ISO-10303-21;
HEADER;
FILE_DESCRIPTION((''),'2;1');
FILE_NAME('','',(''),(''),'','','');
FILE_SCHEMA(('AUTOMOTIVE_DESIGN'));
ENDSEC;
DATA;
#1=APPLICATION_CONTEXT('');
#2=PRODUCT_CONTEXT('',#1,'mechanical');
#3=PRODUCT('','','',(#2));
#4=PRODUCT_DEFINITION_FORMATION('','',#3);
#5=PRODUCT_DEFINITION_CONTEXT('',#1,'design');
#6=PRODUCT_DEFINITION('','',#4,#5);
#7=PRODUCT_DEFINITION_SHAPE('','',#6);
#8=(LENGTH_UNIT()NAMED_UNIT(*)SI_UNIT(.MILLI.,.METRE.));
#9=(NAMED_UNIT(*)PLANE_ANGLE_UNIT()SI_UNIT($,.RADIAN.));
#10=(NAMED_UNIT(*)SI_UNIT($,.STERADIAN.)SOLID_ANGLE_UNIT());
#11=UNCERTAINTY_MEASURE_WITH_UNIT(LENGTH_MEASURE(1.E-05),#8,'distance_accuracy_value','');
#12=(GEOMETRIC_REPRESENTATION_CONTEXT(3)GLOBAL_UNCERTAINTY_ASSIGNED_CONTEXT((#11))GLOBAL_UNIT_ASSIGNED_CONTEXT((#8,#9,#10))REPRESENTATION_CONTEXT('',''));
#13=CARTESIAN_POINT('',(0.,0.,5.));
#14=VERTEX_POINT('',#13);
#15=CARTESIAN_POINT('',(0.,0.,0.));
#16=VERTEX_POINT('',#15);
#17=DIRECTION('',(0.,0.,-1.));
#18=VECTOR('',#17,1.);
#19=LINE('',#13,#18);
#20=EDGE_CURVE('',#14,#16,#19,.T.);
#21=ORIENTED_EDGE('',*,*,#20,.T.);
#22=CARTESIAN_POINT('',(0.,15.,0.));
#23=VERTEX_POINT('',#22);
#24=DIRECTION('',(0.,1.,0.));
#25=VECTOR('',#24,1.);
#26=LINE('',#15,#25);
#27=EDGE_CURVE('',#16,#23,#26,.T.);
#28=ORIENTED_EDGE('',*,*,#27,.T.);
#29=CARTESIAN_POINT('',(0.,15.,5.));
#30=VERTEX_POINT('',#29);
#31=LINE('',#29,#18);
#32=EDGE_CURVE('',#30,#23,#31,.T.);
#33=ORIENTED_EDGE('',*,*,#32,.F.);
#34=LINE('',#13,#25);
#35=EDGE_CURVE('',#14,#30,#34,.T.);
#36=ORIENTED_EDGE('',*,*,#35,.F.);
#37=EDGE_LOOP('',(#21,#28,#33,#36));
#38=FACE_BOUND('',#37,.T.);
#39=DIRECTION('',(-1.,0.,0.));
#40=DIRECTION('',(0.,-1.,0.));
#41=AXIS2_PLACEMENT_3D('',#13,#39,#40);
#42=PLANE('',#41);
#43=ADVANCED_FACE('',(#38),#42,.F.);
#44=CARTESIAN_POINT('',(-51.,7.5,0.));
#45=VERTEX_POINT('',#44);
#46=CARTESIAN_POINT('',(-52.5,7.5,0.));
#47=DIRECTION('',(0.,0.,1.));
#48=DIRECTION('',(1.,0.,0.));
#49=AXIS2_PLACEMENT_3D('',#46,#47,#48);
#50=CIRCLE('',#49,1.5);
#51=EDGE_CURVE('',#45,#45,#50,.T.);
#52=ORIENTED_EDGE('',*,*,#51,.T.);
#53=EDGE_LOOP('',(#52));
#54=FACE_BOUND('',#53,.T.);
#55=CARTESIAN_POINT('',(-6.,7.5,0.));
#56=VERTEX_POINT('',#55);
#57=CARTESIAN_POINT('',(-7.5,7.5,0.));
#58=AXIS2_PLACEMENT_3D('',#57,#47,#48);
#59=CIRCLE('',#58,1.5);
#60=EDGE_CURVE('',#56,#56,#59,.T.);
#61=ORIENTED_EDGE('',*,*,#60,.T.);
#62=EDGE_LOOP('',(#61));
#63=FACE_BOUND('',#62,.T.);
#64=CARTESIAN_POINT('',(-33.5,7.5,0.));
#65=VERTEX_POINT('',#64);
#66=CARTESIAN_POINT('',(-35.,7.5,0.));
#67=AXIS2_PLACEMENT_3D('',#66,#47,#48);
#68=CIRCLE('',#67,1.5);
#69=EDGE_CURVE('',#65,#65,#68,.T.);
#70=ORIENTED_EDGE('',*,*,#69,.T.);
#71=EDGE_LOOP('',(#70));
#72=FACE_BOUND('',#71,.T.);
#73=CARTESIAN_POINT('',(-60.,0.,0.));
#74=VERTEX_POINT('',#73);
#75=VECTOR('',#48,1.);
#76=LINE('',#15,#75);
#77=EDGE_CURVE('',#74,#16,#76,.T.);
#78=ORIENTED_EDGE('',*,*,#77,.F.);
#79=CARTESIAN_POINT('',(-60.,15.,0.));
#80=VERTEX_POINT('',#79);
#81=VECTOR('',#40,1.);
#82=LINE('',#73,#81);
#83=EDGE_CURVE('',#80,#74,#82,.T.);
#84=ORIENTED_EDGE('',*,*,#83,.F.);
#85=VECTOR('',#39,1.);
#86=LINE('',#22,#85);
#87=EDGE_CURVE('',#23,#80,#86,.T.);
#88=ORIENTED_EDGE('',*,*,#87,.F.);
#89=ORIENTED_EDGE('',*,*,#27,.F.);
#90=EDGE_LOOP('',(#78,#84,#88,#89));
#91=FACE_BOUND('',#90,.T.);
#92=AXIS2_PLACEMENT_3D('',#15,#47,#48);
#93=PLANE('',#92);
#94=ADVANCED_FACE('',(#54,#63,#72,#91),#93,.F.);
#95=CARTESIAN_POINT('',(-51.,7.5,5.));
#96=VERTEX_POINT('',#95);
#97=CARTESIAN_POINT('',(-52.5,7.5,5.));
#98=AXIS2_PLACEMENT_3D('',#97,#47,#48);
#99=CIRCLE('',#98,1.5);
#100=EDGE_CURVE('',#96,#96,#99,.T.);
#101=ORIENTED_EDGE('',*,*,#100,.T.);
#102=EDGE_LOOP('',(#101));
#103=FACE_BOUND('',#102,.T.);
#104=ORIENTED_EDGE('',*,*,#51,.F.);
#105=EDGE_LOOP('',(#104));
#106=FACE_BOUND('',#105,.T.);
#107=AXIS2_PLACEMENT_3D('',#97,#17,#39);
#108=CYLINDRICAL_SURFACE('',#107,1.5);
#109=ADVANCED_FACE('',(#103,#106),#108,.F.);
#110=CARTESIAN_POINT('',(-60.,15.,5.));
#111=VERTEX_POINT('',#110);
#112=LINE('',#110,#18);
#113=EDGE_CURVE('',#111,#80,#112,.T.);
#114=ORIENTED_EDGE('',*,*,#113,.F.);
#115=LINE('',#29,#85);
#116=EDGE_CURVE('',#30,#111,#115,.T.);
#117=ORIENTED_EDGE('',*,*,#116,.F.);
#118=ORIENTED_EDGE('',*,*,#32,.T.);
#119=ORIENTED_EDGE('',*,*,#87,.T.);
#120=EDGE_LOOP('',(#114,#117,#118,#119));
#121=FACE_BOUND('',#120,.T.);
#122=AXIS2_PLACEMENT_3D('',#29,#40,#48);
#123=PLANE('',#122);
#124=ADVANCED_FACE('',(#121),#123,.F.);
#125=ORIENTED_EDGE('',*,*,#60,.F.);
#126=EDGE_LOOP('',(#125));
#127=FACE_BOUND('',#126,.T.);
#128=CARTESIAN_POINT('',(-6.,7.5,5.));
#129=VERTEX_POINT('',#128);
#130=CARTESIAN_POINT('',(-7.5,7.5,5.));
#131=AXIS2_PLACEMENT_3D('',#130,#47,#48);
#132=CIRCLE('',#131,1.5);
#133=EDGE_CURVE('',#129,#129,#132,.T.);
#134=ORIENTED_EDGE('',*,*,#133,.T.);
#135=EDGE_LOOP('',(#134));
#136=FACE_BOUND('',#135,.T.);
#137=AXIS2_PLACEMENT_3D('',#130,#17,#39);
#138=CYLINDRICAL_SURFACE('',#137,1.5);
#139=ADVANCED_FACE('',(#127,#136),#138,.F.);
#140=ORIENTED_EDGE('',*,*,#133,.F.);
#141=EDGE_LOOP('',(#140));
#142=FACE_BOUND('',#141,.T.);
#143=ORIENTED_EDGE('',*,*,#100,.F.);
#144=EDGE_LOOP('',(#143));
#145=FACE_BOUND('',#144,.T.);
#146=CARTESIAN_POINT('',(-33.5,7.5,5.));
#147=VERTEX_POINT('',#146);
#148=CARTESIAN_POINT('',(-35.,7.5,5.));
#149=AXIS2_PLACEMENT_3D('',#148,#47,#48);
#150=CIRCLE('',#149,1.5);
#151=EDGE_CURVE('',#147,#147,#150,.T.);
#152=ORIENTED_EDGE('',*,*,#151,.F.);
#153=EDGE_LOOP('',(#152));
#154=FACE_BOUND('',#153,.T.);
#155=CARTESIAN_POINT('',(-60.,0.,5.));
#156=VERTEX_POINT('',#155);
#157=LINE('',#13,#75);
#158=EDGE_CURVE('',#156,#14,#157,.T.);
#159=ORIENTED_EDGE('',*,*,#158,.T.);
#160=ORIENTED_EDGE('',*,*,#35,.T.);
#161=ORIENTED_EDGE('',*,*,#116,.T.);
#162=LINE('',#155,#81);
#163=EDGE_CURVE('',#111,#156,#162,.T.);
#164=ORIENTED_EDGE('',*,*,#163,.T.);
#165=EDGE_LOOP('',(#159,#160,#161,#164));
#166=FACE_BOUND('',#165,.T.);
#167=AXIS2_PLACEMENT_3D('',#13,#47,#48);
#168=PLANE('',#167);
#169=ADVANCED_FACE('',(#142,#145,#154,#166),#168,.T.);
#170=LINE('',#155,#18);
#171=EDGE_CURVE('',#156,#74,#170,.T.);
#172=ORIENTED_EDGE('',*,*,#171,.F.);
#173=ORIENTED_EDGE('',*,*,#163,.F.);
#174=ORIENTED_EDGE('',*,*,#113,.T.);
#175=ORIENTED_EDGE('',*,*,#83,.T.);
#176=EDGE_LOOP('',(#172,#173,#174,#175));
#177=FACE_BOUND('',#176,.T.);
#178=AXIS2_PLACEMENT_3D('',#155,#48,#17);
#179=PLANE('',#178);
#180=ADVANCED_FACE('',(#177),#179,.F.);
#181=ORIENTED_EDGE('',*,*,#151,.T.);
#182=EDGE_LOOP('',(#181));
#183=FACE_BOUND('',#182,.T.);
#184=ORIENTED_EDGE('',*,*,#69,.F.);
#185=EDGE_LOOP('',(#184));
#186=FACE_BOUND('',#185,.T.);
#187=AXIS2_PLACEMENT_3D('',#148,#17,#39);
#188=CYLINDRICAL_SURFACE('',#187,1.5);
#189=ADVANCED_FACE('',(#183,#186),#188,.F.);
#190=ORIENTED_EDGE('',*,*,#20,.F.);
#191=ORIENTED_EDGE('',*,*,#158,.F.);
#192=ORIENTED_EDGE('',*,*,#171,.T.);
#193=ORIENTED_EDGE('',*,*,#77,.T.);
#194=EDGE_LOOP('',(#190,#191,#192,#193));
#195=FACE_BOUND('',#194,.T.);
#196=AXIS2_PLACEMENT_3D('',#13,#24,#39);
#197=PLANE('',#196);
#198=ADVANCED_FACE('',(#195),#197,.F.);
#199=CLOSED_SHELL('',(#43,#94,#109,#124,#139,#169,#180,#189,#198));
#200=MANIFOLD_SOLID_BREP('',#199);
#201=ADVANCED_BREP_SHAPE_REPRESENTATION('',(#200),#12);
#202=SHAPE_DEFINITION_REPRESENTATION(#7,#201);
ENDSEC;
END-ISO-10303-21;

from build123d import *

# Parameters (mm, degrees)
SKETCH2_W           = 60
SKETCH2_H           = 15
SKETCH2_R           = 1.5
BOSS_EXTRUDE1_DEPTH = 5


with BuildPart() as part:
    # Sketch2 → Boss-Extrude1 (new body)
    with BuildSketch(Plane.XY):
        with Locations((-30, 7.5)):
            Rectangle(SKETCH2_W, SKETCH2_H)
        with Locations((-52.5, 7.5)):
            Circle(SKETCH2_R, mode=Mode.SUBTRACT)
        with Locations((-35, 7.5)):
            Circle(SKETCH2_R, mode=Mode.SUBTRACT)
        with Locations((-7.5, 7.5)):
            Circle(SKETCH2_R, mode=Mode.SUBTRACT)
    extrude(amount=BOSS_EXTRUDE1_DEPTH)


solid = part.part
